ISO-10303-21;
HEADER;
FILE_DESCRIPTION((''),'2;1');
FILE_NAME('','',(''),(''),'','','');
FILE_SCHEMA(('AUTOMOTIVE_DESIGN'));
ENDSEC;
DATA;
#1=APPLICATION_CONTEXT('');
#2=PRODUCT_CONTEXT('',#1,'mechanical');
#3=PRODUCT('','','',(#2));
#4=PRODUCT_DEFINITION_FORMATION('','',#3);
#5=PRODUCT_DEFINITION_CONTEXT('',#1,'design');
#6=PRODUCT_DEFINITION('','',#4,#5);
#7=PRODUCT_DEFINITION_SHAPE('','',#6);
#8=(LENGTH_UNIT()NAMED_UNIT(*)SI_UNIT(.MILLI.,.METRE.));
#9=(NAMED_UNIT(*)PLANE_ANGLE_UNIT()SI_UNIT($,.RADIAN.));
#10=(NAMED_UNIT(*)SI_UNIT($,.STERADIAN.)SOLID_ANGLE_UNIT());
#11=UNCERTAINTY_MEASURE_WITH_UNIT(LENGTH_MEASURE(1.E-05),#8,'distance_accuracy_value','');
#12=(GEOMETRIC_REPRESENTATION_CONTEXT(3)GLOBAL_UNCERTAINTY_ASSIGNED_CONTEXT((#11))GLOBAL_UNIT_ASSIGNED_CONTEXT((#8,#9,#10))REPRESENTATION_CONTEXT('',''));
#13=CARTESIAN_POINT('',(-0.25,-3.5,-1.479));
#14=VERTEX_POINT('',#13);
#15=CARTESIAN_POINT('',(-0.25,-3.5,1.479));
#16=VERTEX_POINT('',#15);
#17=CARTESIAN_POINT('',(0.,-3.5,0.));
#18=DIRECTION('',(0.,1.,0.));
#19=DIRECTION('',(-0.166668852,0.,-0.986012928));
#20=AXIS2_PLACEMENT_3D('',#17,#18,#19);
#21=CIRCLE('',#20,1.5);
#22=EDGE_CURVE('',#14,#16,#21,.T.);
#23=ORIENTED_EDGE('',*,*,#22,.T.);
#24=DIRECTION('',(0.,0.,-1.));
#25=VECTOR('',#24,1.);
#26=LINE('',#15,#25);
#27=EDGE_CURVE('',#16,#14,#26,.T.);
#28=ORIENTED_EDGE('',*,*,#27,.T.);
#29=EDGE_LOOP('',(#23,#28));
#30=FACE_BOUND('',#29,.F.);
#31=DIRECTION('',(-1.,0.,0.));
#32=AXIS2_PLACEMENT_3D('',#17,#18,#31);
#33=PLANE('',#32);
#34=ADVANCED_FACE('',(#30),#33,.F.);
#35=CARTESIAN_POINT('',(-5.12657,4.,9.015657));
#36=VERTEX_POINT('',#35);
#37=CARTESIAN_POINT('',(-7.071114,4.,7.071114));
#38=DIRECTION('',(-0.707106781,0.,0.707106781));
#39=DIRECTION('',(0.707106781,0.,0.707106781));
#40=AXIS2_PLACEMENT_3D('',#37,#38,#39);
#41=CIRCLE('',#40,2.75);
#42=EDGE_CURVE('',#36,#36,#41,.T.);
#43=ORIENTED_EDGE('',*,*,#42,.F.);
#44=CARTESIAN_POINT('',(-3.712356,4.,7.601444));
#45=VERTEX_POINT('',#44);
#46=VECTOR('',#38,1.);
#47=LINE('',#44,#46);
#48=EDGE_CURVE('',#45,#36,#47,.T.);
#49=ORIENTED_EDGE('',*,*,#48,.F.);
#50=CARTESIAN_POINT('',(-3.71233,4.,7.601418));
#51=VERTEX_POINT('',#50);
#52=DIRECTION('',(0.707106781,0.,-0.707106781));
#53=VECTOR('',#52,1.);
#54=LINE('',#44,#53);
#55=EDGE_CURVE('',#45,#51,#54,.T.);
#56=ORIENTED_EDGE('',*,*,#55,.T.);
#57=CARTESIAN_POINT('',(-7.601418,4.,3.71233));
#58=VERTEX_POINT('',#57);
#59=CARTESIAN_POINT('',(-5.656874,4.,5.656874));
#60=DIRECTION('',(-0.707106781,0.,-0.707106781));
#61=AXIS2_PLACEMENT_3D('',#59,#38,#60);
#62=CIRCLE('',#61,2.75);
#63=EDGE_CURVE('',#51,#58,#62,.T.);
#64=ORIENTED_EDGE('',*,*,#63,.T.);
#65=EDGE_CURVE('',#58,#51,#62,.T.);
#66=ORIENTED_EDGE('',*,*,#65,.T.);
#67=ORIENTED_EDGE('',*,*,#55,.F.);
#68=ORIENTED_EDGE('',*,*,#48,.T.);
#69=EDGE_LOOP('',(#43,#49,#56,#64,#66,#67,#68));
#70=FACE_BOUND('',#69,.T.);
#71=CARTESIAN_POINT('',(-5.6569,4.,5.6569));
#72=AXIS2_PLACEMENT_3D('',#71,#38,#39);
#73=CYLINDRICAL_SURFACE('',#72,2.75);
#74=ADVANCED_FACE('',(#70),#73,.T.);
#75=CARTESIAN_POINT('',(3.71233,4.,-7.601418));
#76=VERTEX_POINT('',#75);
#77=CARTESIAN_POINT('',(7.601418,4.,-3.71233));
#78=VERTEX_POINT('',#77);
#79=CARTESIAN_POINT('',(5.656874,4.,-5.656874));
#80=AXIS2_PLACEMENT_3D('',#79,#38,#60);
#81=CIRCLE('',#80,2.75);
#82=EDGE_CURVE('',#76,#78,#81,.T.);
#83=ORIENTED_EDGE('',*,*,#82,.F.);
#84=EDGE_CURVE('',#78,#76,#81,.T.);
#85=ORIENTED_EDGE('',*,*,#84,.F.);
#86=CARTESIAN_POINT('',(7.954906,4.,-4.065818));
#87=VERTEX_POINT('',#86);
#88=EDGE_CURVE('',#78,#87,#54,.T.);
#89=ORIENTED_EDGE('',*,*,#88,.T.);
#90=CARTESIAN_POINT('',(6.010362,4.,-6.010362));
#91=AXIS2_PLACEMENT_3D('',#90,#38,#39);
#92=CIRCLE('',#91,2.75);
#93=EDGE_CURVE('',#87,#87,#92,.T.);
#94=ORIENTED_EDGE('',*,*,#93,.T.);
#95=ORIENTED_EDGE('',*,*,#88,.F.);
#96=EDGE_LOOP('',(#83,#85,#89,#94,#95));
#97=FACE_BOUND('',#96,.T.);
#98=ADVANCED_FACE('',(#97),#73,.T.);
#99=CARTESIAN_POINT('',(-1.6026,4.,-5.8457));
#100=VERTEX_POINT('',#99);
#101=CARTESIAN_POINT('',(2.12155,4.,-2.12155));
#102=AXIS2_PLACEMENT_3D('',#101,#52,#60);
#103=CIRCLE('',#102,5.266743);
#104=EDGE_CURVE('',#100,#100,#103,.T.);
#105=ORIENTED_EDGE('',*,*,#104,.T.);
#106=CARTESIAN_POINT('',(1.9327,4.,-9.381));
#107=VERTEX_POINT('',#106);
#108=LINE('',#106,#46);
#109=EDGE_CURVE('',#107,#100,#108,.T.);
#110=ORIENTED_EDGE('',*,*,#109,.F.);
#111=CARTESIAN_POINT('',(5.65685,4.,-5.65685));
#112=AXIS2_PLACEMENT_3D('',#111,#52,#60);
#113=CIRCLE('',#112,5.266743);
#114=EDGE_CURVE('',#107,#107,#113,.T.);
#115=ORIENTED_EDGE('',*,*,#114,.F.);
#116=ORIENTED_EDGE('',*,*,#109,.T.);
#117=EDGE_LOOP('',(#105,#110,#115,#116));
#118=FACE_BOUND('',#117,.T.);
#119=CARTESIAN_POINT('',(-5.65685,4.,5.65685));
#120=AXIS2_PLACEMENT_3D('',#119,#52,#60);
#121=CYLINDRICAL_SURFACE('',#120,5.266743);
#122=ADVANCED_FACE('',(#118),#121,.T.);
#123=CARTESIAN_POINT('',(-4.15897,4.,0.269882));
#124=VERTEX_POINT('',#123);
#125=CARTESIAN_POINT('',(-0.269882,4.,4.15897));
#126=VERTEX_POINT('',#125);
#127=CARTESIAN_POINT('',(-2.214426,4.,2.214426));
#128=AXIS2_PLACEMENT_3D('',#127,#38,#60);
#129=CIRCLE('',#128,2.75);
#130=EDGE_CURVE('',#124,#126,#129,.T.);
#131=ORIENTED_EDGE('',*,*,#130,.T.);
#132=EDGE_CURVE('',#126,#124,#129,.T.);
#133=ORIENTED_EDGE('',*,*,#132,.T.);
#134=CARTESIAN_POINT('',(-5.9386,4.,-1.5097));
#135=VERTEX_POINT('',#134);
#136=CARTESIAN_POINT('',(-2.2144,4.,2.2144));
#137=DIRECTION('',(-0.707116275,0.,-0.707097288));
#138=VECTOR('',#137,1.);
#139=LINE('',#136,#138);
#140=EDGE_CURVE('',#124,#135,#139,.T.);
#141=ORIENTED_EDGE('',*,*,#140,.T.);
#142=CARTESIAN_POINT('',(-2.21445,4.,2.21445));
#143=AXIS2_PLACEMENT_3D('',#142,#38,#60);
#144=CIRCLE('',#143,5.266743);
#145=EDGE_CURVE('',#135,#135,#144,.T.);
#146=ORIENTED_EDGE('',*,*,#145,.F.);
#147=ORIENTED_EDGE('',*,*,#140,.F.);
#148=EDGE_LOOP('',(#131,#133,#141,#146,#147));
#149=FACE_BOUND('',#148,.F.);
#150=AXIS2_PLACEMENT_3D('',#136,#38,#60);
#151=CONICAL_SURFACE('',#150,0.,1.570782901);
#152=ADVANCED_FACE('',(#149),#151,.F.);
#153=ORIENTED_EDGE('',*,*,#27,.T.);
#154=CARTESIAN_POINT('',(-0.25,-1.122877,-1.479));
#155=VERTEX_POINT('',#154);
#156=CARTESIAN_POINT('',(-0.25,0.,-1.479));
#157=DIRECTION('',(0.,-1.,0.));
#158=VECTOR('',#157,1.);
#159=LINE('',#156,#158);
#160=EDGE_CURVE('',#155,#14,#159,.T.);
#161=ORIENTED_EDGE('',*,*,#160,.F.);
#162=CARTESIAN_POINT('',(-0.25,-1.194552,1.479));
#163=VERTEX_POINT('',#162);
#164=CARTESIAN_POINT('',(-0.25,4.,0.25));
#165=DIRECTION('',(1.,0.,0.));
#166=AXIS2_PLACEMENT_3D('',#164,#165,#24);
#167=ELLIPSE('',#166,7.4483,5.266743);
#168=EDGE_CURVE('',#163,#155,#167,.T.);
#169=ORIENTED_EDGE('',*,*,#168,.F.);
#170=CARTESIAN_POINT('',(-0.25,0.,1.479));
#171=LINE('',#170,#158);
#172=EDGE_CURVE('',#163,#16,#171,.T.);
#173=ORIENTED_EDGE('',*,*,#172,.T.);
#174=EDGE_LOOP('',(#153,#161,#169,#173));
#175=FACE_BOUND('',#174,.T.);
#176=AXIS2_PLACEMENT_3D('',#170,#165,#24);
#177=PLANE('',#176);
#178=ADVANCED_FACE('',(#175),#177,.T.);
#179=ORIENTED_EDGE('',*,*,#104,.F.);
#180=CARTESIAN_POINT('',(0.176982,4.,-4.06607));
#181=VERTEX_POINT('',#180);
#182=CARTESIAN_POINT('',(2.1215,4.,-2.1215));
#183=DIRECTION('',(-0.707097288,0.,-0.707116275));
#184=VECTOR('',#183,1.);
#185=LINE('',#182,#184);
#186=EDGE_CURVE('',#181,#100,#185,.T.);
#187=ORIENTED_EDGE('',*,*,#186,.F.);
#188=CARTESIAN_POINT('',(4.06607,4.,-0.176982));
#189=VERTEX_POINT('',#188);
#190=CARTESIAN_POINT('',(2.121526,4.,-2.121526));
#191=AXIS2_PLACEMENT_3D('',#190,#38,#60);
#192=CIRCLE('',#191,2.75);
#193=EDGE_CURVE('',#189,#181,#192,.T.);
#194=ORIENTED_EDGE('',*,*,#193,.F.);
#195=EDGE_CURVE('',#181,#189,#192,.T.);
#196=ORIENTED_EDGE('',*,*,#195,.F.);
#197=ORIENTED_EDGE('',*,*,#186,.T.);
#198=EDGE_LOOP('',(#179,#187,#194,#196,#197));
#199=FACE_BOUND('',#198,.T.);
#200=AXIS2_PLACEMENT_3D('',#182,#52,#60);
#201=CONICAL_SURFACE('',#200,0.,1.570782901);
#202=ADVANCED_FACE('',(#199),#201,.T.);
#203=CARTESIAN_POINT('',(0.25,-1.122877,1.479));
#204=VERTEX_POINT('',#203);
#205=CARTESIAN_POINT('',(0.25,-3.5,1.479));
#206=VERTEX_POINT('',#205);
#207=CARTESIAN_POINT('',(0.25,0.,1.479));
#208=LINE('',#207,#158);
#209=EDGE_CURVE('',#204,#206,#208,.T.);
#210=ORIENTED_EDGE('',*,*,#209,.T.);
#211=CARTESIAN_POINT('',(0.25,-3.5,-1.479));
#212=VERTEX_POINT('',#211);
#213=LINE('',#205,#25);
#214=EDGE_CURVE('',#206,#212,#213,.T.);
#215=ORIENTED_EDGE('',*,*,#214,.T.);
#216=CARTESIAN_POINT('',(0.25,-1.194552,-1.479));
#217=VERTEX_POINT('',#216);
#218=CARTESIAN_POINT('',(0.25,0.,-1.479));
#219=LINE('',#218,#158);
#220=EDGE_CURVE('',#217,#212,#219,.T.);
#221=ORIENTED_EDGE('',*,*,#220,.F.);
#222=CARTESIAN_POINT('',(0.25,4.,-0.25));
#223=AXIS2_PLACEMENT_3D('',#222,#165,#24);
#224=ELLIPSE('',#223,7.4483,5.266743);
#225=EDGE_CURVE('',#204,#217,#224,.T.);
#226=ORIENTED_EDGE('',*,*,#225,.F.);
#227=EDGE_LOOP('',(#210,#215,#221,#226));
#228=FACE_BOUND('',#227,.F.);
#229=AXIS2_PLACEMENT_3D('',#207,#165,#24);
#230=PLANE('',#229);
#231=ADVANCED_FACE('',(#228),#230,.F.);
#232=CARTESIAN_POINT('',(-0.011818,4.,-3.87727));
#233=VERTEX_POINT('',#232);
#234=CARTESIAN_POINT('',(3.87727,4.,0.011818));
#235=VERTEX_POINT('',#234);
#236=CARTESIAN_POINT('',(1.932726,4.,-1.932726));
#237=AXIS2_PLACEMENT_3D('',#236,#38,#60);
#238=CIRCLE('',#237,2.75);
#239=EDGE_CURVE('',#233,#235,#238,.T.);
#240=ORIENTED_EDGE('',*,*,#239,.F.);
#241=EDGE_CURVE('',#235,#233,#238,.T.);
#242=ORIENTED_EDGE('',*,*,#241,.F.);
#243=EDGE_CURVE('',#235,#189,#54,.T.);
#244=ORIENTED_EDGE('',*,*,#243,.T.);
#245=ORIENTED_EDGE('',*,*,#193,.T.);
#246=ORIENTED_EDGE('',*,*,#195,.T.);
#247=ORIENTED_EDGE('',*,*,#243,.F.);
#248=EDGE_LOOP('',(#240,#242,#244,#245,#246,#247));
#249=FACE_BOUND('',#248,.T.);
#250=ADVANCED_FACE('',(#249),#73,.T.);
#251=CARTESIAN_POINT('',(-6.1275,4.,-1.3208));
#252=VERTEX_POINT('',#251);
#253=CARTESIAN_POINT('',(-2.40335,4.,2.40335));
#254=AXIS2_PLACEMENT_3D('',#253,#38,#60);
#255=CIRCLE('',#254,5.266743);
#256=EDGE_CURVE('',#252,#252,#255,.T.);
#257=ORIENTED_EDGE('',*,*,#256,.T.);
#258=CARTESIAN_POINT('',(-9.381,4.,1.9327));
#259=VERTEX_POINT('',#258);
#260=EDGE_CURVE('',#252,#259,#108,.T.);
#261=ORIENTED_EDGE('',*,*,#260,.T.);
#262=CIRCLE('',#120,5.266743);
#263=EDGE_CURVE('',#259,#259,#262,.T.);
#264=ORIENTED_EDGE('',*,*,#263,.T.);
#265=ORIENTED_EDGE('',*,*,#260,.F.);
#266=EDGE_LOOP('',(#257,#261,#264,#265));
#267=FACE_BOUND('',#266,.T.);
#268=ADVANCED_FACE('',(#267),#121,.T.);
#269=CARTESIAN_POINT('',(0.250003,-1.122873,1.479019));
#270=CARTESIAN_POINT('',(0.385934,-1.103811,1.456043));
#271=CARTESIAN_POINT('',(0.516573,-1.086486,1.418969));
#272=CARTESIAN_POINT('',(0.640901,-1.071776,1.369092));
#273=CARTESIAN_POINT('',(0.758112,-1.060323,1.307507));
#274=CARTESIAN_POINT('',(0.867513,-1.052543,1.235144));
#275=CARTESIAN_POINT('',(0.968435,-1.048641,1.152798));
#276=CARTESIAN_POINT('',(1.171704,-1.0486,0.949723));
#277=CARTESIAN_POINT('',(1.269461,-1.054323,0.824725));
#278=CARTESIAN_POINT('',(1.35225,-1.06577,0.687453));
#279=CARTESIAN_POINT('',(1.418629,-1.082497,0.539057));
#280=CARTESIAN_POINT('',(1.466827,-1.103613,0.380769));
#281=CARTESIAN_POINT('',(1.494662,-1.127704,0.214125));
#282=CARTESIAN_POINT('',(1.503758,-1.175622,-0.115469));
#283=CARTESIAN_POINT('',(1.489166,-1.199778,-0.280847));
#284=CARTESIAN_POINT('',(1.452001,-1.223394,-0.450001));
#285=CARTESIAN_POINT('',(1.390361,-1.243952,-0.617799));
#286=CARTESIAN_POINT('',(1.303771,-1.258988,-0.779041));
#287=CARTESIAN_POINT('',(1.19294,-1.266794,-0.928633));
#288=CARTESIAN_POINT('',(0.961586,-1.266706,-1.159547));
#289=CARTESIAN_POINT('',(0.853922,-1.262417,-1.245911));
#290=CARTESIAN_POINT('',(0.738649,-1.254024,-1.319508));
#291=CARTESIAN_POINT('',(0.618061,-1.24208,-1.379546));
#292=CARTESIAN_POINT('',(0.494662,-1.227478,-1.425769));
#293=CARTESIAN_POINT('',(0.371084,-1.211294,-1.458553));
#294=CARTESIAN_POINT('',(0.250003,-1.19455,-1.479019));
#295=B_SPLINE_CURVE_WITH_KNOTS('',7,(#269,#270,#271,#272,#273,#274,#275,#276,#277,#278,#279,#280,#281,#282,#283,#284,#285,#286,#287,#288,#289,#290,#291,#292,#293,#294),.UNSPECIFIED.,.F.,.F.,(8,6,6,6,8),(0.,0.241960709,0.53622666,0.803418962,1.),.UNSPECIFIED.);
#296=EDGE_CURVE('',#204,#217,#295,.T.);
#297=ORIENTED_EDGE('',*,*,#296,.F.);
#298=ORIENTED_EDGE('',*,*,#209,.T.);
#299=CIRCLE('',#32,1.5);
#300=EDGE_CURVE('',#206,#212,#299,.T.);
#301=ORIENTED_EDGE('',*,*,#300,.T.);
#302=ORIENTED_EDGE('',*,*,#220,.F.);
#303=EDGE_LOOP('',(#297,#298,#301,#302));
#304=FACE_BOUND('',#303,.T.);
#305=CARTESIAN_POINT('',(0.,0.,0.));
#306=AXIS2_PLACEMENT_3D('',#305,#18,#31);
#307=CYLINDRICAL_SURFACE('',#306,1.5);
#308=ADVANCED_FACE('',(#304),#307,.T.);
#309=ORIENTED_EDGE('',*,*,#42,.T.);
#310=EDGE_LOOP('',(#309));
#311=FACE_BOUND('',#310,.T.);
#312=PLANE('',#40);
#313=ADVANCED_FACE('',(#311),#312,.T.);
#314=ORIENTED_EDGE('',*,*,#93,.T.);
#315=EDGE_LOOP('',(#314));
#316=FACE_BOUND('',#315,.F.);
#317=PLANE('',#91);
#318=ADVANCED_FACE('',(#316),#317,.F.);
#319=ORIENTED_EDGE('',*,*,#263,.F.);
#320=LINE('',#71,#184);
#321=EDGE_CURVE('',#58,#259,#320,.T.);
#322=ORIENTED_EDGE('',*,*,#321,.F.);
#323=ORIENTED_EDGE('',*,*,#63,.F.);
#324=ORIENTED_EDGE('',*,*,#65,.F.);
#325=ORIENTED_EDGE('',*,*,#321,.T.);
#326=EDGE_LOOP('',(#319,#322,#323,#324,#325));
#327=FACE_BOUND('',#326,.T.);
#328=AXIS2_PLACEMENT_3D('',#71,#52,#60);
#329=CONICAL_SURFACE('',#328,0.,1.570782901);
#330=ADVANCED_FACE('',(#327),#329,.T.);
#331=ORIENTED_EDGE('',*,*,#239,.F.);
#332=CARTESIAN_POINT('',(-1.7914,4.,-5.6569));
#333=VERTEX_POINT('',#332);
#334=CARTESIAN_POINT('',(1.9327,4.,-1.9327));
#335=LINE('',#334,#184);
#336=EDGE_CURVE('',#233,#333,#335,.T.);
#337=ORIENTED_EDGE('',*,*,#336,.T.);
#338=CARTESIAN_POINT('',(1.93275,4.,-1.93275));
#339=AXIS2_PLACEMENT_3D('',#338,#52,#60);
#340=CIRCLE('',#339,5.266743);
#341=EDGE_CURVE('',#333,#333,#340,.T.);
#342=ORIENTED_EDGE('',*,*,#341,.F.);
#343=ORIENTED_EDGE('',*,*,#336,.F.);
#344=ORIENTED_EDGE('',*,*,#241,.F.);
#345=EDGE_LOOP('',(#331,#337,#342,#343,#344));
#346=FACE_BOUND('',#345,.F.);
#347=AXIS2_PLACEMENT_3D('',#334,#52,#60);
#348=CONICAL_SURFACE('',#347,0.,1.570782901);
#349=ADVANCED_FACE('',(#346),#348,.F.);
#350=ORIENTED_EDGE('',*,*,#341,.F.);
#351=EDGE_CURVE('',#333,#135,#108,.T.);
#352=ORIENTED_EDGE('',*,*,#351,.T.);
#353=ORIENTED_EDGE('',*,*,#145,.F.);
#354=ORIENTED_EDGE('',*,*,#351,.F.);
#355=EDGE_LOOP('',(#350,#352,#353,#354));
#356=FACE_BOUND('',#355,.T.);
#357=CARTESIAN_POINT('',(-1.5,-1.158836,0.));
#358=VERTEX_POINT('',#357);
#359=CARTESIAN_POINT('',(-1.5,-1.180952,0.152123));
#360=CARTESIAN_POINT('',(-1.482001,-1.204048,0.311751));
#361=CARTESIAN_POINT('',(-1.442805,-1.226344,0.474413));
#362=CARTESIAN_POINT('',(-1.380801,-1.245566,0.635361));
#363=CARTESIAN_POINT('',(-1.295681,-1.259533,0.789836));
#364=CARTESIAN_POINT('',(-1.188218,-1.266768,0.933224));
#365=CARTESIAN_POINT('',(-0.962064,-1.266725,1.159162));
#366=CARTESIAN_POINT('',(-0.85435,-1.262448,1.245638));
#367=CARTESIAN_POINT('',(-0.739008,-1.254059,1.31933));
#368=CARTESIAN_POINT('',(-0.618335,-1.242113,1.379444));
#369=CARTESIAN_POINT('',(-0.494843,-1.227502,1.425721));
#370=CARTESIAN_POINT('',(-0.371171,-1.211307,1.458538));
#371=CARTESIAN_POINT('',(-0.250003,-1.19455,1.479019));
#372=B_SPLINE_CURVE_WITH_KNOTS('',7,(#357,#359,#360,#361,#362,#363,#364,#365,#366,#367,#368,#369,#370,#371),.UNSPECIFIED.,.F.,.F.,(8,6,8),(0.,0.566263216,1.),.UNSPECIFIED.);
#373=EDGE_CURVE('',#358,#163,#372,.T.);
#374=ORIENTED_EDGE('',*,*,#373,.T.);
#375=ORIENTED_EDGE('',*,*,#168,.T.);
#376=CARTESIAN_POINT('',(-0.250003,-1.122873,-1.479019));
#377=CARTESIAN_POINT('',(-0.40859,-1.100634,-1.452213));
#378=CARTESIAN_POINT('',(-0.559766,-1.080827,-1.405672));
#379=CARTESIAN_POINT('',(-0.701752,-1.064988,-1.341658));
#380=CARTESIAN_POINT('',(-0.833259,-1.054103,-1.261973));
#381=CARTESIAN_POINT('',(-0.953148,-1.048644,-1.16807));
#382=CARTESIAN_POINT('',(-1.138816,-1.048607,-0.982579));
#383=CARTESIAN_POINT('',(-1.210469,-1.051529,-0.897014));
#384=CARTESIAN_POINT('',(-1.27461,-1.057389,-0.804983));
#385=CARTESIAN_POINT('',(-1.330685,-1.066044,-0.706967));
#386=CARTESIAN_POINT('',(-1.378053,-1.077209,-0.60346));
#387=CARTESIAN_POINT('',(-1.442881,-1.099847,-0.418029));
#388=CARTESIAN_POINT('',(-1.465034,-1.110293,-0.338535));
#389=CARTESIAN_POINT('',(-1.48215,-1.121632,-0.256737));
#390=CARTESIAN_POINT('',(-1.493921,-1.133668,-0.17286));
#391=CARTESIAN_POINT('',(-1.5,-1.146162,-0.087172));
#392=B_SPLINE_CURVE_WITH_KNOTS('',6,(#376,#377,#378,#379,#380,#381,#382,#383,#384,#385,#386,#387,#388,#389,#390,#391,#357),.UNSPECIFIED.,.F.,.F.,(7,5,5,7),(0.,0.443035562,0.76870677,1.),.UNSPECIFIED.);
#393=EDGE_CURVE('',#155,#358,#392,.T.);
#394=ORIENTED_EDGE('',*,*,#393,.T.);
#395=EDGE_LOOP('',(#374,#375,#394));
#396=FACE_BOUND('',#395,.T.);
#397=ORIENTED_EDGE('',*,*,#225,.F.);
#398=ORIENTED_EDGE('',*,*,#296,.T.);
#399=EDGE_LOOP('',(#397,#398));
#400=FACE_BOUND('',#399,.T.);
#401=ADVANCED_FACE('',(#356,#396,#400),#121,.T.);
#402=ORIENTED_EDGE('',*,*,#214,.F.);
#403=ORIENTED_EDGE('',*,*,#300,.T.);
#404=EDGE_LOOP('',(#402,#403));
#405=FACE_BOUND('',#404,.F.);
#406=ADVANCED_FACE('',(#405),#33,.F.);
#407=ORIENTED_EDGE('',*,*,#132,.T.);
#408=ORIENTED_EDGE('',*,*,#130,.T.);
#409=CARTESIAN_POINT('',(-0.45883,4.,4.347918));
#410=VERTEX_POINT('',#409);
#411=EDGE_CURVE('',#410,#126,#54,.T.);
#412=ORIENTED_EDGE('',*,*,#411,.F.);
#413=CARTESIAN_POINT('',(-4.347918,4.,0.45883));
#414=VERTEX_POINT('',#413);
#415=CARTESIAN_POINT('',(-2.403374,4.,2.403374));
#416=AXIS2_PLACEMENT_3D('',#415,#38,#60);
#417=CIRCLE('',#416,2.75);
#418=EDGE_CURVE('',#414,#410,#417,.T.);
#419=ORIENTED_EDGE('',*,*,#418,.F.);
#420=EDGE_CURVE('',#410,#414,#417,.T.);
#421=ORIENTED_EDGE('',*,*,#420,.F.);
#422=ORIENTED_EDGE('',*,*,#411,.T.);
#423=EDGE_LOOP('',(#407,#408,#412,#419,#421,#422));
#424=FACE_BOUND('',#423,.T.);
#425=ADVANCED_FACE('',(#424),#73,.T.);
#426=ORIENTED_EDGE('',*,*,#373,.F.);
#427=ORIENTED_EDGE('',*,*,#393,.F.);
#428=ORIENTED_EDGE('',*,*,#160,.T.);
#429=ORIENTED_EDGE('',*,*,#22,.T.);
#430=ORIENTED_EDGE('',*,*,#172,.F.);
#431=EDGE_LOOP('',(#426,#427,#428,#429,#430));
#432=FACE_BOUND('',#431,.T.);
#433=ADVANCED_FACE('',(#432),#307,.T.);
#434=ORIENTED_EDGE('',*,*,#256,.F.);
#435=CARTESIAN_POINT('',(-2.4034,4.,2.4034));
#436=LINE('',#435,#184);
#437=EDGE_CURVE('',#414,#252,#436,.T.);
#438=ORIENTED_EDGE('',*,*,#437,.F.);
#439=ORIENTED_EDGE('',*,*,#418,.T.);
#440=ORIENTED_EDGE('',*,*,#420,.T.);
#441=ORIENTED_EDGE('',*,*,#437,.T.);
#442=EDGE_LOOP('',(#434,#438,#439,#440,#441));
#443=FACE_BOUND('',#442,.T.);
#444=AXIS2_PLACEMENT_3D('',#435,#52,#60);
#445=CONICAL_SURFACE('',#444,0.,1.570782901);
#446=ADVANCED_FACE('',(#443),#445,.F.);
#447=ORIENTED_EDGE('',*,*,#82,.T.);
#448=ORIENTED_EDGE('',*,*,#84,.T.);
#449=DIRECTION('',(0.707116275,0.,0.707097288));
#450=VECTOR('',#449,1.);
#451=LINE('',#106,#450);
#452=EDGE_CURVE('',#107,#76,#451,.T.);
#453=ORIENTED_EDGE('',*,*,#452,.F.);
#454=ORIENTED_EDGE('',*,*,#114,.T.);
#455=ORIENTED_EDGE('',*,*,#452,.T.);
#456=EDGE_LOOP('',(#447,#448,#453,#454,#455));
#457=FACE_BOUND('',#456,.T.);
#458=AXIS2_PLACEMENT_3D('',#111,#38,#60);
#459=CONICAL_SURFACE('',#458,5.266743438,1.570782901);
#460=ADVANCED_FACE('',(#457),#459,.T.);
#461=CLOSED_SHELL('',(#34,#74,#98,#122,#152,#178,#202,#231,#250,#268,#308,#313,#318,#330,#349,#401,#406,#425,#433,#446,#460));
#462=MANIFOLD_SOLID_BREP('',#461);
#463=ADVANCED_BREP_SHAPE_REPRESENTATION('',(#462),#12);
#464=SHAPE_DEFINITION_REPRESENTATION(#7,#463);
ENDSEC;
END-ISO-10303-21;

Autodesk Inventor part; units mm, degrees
ref_plane "YZ Plane" through (0, 0, 0) normal (1, 0, 0) x (0, 1, 0)
ref_plane "XZ Plane" through (0, 0, 0) normal (0, 1, 0) x (-1, 0, 0)
ref_plane "XY Plane" through (0, 0, 0) normal (0, 0, 1) x (1, 0, 0)
sketch "Sketch1" plane through (0, 0, 0) normal (0, 1, 0) x (-1, 0, 0)
  circle A0 centre (0, 0) radius 1.5
  line L0 (-0.25, 1.479) -> (-0.25, -1.479)
  line L1 (0.25, 1.479) -> (0.25, -1.479)
  line L2 (0, -7.0882) -> (0, 2.9314) projected
  point P0 (-1.4457, -0.4)
  point P1 (1.4457, -0.4)
  point P2 (1.4967, 0.1)
  point P3 (-1.4967, 0.1)
  dimension "d0" = 3
  dimension "d21" = 0.5
  dimension "d23" = 0.25
extrude "Extrusion1" add sketch "Sketch1" along normal blind 4
extrude "Extrusion2" cut sketch "Sketch1" along normal blind 2.6 contours L1 A0 L2 | L2 A0 L0
sketch "Sketch2" plane through (0, 4, 0) normal (0, 1, 0) x (1, 0, 0)
  line L0 (0, 0) -> (-5.6569, -5.6569)
  line L1 (0, 0) -> (8, 0) construction
  line L2 (0, 0) -> (5.6569, 5.6569)
  line L3 (-5.6569, -5.6569) -> (-9.381, -1.9327)
  line L4 (-9.381, -1.9327) -> (1.9327, 9.381)
  line L5 (1.9327, 9.381) -> (5.6569, 5.6569)
  line L6 (-2.4034, -2.4034) -> (-6.1275, 1.3208)
  line L7 (-2.2144, -2.2144) -> (-5.9386, 1.5097)
  line L8 (-2.2144, -2.2144) -> (1.9327, 1.9327)
  line L9 (1.9327, 1.9327) -> (-1.7914, 5.6569)
  line L10 (1.9327, 1.9327) -> (2.1215, 2.1215)
  line L11 (2.1215, 2.1215) -> (-1.6026, 5.8457)
  dimension "d7" = 8
  dimension "d8" = 135
  dimension "d9" = 8
  dimension "d13" = 0.267
extrude "Extrusion3" add sketch "Sketch1" against normal blind 3.5 contours A0 L1 | L0 A0
revolve "Revolution1" add sketch "Sketch2" angle 360 about axis through (0, 4, 0) along (0.7071, 0, -0.7071)
revolve "Revolution2" cut sketch "Sketch2" angle 360 about axis through (0, 4, 0) along (-0.7071, 0, 0.7071) contours L0 L6 L4 L7
revolve "Revolution3" cut sketch "Sketch2" angle 360 about axis through (0, 4, 0) along (0.7071, 0, -0.7071) contours L9 L4 L11 L2
sketch "Sketch3" plane through (-5.6569, 4, 5.6569) normal (-0.7071, 0, 0.7071) x (0.7071, 0, 0.7071)
  circle A0 centre (0, 0) radius 2.75
  point P0 (0, -4)
  dimension "d16" = 5.5
extrude "Extrusion4" add sketch "Sketch3" along normal blind 2 and the other way blind 16.5
sketch "Sketch5" plane through (0, 0, 0) normal (1, 0, 0) x (0, 1, 0)
  point P0 (0, 0)
sketch "Sketch6" plane through (5.6569, 4, -5.6569) normal (0.7071, 0, -0.7071) x (-0.7071, 0, -0.7071)
  point P0 (0, -4)
properties part number "McCrea_rameno_Walle"
